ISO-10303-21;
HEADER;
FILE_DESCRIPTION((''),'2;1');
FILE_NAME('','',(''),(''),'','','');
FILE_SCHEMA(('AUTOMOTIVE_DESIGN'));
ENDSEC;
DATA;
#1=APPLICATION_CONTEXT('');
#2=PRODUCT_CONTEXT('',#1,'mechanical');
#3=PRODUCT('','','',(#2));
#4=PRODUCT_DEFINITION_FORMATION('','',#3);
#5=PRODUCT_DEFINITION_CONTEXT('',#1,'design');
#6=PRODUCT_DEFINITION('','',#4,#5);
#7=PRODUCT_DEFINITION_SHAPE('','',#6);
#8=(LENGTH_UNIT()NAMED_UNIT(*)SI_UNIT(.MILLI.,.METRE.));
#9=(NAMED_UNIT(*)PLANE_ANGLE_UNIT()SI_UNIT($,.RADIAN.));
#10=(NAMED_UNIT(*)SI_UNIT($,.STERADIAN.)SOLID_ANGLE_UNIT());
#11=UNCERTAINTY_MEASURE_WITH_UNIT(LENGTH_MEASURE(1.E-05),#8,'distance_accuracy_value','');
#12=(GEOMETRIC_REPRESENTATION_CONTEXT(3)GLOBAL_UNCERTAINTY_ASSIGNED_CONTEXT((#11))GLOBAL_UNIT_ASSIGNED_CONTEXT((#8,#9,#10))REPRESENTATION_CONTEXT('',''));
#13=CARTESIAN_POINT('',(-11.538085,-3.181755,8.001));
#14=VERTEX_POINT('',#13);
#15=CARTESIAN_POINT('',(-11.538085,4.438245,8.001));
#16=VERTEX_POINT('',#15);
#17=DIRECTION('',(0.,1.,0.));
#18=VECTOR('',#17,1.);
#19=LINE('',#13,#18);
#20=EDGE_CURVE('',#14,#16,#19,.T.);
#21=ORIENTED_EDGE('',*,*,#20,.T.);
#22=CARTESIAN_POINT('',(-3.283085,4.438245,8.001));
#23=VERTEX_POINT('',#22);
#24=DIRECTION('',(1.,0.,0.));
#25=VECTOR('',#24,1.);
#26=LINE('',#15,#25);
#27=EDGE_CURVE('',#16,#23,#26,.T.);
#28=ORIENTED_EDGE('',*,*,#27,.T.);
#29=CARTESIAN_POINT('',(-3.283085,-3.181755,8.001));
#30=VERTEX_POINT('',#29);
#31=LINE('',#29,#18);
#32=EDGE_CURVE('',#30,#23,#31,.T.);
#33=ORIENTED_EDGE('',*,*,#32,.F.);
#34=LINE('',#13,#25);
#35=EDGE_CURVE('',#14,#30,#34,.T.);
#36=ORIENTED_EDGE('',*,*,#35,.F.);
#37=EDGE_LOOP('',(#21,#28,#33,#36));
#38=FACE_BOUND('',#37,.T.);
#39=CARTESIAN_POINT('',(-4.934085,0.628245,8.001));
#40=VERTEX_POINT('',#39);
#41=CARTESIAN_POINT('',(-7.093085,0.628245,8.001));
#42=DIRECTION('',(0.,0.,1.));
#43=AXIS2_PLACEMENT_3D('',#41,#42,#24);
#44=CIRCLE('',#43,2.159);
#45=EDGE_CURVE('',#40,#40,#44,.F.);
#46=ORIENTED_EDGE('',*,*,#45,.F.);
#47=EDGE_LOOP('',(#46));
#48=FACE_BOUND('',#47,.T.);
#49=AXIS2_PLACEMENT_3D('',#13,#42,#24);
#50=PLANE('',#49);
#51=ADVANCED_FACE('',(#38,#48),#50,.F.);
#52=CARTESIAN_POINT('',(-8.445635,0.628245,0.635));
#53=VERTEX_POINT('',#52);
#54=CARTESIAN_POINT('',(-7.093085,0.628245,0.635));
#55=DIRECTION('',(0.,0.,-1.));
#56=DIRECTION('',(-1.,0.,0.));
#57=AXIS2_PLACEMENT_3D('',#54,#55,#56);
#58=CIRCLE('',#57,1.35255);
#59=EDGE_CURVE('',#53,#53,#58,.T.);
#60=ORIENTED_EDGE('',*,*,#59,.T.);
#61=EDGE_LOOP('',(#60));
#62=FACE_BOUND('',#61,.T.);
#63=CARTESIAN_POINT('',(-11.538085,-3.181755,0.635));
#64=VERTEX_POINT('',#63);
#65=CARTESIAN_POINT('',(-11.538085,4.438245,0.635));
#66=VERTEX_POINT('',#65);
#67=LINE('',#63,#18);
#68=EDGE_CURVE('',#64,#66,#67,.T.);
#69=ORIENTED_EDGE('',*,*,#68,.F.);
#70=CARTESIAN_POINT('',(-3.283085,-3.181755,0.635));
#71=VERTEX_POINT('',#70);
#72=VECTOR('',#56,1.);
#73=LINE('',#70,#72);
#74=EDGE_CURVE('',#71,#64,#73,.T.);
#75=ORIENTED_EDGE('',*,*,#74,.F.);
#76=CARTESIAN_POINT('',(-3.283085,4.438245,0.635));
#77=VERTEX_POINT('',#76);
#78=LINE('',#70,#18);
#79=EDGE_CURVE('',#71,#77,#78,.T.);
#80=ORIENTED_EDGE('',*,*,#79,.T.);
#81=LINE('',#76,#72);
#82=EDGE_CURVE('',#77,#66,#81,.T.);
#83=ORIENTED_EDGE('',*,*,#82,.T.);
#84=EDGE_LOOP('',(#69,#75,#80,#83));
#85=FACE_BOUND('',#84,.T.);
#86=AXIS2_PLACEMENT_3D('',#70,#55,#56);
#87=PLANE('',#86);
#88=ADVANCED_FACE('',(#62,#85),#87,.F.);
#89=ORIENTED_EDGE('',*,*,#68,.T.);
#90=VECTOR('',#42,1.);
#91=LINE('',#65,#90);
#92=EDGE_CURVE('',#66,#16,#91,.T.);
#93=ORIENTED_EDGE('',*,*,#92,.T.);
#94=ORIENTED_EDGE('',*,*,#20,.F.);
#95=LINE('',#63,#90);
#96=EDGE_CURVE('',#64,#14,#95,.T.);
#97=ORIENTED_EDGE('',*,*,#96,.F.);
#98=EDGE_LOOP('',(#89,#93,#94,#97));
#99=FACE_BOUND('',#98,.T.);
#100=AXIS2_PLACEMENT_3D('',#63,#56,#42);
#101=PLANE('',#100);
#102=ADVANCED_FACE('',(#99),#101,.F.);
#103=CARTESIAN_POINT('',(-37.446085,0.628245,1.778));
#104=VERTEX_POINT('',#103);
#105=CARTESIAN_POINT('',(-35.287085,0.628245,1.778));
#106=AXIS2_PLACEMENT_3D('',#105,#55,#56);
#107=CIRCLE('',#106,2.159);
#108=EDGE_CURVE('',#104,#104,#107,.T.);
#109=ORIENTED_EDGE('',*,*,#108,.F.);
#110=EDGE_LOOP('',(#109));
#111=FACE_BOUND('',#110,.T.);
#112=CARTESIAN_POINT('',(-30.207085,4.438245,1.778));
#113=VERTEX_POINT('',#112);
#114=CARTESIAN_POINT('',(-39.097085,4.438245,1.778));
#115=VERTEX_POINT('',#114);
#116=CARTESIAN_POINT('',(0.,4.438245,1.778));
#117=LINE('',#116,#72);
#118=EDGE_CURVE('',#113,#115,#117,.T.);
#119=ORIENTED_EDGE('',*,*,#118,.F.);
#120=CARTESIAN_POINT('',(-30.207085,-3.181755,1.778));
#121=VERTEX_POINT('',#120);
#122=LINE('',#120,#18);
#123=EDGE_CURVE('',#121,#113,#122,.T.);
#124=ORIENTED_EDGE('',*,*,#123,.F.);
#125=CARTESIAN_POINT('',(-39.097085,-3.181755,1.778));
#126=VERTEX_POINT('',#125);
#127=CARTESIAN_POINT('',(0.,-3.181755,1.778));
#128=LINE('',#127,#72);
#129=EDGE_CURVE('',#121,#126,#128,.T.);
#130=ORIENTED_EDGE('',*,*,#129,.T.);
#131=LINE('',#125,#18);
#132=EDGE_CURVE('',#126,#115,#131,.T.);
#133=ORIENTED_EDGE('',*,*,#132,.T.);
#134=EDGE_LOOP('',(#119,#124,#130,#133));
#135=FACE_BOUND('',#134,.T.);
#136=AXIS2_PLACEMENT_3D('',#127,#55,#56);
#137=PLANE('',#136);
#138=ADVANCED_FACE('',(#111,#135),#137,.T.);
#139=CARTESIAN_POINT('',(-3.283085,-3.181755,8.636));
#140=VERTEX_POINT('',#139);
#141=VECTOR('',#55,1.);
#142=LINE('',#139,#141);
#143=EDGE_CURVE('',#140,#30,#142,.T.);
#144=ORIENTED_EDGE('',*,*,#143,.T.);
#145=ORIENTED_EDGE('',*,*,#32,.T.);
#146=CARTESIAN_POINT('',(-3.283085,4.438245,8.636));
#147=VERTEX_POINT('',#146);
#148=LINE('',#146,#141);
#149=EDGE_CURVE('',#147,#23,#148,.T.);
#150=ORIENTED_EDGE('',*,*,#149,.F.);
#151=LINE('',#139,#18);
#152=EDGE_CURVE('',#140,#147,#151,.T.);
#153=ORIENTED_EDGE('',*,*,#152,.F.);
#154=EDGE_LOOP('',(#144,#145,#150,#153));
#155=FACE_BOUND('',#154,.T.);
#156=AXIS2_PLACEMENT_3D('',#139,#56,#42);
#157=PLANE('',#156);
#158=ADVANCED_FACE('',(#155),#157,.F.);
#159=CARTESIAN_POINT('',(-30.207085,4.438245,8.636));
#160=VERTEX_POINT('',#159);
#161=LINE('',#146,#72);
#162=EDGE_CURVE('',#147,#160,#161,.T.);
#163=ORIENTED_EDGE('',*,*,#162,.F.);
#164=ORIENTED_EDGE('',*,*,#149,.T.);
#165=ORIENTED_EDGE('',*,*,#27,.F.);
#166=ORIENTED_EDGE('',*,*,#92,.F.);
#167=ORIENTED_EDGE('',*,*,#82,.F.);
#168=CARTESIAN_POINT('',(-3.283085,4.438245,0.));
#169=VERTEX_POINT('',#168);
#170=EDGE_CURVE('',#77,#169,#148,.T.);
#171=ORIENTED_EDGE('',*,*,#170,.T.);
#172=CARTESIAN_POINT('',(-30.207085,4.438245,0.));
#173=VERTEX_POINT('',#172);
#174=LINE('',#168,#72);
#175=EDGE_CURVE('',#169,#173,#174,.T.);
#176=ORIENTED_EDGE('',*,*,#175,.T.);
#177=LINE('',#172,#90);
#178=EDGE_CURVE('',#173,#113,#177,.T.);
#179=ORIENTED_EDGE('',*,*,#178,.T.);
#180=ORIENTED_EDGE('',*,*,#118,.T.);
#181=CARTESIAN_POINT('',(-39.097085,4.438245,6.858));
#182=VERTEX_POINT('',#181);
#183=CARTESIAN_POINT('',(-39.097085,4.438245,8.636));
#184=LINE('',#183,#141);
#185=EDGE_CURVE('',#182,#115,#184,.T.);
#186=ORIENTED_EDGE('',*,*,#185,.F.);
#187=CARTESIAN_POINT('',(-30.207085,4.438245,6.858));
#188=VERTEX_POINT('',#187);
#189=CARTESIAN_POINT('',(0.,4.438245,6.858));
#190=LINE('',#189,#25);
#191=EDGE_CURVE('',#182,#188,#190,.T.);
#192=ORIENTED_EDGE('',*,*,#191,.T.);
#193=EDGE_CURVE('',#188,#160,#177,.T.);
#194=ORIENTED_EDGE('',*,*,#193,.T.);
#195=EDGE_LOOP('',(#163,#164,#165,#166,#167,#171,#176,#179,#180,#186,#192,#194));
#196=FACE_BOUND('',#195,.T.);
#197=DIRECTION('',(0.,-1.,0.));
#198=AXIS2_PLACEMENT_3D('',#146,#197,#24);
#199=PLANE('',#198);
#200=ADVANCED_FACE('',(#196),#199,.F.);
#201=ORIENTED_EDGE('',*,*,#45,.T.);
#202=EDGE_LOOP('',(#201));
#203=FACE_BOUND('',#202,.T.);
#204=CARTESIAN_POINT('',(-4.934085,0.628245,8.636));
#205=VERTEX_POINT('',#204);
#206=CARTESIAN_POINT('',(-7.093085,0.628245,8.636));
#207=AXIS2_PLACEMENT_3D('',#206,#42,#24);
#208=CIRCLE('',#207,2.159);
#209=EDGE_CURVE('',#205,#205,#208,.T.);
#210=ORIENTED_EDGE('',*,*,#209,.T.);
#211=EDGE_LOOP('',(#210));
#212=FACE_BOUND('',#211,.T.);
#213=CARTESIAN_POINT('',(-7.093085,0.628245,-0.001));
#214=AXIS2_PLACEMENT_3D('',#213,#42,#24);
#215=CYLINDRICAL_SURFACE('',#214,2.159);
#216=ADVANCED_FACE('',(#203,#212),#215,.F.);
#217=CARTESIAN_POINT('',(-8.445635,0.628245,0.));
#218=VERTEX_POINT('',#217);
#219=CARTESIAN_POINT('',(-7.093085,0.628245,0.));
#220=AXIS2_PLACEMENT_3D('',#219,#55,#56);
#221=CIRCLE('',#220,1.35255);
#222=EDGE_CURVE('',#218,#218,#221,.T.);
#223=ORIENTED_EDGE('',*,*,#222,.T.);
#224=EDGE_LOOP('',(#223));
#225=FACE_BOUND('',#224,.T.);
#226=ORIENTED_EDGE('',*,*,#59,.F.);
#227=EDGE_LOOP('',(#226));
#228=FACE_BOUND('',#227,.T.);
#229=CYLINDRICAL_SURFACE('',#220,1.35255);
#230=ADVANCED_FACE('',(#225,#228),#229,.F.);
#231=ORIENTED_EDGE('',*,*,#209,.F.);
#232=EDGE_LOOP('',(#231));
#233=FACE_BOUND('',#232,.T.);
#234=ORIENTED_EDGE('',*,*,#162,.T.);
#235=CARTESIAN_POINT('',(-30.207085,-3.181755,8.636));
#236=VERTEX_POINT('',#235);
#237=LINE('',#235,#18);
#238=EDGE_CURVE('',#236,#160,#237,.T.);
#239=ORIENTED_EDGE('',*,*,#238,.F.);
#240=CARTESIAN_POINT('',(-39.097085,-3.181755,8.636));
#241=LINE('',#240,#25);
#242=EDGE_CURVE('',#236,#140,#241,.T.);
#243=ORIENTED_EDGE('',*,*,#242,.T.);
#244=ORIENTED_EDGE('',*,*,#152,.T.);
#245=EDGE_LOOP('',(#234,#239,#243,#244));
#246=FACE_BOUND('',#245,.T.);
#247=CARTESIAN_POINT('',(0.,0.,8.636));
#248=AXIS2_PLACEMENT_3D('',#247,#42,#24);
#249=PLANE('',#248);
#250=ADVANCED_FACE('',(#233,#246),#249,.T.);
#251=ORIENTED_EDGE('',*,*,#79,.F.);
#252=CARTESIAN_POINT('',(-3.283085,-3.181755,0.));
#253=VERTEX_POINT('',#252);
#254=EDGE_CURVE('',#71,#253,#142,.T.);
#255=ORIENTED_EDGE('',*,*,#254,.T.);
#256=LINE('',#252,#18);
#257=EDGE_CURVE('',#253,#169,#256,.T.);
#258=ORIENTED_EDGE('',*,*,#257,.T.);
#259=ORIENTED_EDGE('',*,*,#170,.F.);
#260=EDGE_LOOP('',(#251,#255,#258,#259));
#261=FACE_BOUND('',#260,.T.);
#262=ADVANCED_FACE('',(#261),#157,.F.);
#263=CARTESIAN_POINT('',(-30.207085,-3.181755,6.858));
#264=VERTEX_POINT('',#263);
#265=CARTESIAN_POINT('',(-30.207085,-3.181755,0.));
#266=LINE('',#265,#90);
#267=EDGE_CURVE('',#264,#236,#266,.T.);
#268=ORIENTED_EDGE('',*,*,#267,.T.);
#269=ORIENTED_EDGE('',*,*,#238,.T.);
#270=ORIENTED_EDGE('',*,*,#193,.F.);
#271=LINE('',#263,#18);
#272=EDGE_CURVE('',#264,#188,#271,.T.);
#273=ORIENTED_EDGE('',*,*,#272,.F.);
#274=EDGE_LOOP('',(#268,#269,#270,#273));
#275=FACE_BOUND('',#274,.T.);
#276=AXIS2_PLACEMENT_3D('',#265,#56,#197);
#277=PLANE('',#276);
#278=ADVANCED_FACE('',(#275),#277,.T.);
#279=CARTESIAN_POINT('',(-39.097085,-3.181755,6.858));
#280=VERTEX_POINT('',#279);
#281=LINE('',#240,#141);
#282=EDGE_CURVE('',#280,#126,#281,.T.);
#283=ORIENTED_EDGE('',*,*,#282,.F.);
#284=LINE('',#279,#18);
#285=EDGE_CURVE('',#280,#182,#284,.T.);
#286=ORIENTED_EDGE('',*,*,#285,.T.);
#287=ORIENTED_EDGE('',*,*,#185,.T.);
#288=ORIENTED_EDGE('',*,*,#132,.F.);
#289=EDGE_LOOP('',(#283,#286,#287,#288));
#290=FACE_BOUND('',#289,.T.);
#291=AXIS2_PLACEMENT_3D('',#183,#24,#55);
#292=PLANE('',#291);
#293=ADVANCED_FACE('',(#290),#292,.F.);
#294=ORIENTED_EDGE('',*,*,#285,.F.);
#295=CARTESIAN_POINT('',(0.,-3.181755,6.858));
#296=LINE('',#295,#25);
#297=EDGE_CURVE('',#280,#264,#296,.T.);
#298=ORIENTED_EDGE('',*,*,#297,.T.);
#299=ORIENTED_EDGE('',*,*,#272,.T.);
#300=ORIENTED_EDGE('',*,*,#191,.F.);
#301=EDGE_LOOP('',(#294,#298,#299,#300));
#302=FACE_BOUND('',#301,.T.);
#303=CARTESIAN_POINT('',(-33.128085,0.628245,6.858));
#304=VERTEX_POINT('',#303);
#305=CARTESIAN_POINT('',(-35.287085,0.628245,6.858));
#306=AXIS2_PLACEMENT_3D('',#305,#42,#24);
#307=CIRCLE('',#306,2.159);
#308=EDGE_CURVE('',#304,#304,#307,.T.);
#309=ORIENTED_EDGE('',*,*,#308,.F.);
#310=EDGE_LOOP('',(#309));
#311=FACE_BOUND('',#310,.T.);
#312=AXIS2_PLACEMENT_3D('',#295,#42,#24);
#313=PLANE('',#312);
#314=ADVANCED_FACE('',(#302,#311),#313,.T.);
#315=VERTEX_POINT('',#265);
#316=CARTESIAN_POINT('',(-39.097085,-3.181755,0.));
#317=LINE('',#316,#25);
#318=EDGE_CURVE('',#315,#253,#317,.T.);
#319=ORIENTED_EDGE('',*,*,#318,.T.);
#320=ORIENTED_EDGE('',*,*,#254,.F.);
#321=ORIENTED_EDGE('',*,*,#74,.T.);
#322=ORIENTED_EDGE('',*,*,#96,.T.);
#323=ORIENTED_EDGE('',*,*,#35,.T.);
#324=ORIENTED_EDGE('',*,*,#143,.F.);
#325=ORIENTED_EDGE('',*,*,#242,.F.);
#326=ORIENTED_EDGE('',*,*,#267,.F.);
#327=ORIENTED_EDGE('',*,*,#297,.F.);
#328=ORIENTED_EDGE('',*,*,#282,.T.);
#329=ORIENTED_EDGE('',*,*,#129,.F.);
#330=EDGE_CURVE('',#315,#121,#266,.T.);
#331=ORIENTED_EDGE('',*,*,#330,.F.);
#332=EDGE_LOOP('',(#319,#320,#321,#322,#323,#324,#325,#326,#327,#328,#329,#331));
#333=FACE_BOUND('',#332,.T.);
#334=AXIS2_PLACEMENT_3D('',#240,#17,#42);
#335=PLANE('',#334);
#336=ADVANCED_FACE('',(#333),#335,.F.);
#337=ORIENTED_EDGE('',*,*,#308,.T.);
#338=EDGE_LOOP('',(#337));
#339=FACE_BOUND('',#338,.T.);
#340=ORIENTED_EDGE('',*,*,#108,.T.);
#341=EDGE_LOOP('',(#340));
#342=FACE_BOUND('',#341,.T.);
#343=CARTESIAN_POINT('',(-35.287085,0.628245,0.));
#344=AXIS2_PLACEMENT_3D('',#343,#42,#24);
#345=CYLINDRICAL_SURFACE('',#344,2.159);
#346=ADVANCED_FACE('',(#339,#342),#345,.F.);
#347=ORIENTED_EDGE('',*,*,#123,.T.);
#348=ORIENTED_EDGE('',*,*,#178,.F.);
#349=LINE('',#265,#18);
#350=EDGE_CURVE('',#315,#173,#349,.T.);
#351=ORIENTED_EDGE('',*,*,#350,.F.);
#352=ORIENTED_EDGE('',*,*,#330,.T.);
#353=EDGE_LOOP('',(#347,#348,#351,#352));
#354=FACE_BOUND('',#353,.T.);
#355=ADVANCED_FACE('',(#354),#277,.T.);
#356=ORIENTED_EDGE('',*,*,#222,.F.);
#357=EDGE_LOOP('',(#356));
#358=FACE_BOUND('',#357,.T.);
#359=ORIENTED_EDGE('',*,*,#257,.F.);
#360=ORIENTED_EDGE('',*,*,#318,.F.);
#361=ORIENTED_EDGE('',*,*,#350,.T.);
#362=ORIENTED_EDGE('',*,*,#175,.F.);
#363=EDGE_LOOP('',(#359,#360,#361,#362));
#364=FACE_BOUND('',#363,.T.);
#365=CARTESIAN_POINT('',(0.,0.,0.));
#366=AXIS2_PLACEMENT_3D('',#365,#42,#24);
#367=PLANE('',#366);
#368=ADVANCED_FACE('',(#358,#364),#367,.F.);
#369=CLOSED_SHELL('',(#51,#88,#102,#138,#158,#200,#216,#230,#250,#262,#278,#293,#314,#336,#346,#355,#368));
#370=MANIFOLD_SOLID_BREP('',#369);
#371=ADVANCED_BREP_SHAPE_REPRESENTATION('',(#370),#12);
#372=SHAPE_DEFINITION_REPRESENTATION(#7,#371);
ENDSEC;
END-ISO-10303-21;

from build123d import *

# Parameters (mm, degrees)
SKETCH1_W                 = 35.814
SKETCH1_H                 = 7.62
BOSS_EXTRUDE1_DEPTH       = 8.636
SKETCH4_W                 = 8.89
SKETCH4_H                 = 1.778
CUT_EXTRUDE1_DEPTH        = 8.62
SKETCH6_W                 = 8.255
SKETCH6_H                 = 7.366
CUT_EXTRUDE2_DEPTH        = 8.62
SKETCH7_R                 = 2.159
CUT_EXTRUDE3_DEPTH        = 7.858
CUT_EXTRUDE4_REACH        = 10.636
SKETCH8_R                 = 2.159
F_6_32_TAPPED_HOLE1_D     = 2.7051
F_6_32_TAPPED_HOLE1_DEPTH = 0.635


with BuildPart() as part:
    # Sketch1 → Boss-Extrude1 (new body)
    with BuildSketch(Plane.XY):
        with Locations((-21.190085106, 0.628244681)):
            Rectangle(SKETCH1_W, SKETCH1_H)
    extrude(amount=BOSS_EXTRUDE1_DEPTH)

    # Sketch4 → Cut-Extrude1 (cut, through all)
    with BuildSketch(Plane(origin=(0, 4.438244681, 0), x_dir=(1, 0, 0), z_dir=(0, 1, 0))):
        with Locations((-34.652085106, -0.889)):
            Rectangle(SKETCH4_W, SKETCH4_H)
        with Locations((-34.652085106, -7.747)):
            Rectangle(SKETCH4_W, SKETCH4_H)
    extrude(amount=-CUT_EXTRUDE1_DEPTH, mode=Mode.SUBTRACT)

    # Sketch6 → Cut-Extrude2 (cut, through all)
    with BuildSketch(Plane(origin=(0, 4.438244681, 0), x_dir=(1, 0, 0), z_dir=(0, 1, 0))):
        with Locations((-7.410585106, -4.318)):
            Rectangle(SKETCH6_W, SKETCH6_H)
    extrude(amount=-CUT_EXTRUDE2_DEPTH, mode=Mode.SUBTRACT)

    # Sketch7 → Cut-Extrude3 (cut, through all)
    with BuildSketch(Plane.XY.offset(6.858)):
        with Locations((-35.287085106, 0.628244681)):
            Circle(SKETCH7_R)
    extrude(amount=-CUT_EXTRUDE3_DEPTH, mode=Mode.SUBTRACT)

    # Sketch8 → Cut-Extrude4 (cut, up to next)
    with BuildSketch(Plane.XY.offset(8.636), mode=Mode.PRIVATE) as cut_extrude4_sk1:
        with Locations((-7.093085106, 0.628244681)):
            Circle(SKETCH8_R)
    cut_extrude4_tool1 = extrude(cut_extrude4_sk1.sketch, amount=-CUT_EXTRUDE4_REACH, mode=Mode.PRIVATE) & part.part
    add(cut_extrude4_tool1.solids().sort_by_distance((-7.093085, 0.628245, 8.636))[0], mode=Mode.SUBTRACT)

    # #6-32 Tapped Hole1
    with Locations(Plane(origin=(0, 0, 0), x_dir=(-1, 0, 0), z_dir=(0, 0, -1))):
        with Locations((7.093085106, 0.628244681)):
            Hole(F_6_32_TAPPED_HOLE1_D / 2, depth=F_6_32_TAPPED_HOLE1_DEPTH)


solid = part.part
